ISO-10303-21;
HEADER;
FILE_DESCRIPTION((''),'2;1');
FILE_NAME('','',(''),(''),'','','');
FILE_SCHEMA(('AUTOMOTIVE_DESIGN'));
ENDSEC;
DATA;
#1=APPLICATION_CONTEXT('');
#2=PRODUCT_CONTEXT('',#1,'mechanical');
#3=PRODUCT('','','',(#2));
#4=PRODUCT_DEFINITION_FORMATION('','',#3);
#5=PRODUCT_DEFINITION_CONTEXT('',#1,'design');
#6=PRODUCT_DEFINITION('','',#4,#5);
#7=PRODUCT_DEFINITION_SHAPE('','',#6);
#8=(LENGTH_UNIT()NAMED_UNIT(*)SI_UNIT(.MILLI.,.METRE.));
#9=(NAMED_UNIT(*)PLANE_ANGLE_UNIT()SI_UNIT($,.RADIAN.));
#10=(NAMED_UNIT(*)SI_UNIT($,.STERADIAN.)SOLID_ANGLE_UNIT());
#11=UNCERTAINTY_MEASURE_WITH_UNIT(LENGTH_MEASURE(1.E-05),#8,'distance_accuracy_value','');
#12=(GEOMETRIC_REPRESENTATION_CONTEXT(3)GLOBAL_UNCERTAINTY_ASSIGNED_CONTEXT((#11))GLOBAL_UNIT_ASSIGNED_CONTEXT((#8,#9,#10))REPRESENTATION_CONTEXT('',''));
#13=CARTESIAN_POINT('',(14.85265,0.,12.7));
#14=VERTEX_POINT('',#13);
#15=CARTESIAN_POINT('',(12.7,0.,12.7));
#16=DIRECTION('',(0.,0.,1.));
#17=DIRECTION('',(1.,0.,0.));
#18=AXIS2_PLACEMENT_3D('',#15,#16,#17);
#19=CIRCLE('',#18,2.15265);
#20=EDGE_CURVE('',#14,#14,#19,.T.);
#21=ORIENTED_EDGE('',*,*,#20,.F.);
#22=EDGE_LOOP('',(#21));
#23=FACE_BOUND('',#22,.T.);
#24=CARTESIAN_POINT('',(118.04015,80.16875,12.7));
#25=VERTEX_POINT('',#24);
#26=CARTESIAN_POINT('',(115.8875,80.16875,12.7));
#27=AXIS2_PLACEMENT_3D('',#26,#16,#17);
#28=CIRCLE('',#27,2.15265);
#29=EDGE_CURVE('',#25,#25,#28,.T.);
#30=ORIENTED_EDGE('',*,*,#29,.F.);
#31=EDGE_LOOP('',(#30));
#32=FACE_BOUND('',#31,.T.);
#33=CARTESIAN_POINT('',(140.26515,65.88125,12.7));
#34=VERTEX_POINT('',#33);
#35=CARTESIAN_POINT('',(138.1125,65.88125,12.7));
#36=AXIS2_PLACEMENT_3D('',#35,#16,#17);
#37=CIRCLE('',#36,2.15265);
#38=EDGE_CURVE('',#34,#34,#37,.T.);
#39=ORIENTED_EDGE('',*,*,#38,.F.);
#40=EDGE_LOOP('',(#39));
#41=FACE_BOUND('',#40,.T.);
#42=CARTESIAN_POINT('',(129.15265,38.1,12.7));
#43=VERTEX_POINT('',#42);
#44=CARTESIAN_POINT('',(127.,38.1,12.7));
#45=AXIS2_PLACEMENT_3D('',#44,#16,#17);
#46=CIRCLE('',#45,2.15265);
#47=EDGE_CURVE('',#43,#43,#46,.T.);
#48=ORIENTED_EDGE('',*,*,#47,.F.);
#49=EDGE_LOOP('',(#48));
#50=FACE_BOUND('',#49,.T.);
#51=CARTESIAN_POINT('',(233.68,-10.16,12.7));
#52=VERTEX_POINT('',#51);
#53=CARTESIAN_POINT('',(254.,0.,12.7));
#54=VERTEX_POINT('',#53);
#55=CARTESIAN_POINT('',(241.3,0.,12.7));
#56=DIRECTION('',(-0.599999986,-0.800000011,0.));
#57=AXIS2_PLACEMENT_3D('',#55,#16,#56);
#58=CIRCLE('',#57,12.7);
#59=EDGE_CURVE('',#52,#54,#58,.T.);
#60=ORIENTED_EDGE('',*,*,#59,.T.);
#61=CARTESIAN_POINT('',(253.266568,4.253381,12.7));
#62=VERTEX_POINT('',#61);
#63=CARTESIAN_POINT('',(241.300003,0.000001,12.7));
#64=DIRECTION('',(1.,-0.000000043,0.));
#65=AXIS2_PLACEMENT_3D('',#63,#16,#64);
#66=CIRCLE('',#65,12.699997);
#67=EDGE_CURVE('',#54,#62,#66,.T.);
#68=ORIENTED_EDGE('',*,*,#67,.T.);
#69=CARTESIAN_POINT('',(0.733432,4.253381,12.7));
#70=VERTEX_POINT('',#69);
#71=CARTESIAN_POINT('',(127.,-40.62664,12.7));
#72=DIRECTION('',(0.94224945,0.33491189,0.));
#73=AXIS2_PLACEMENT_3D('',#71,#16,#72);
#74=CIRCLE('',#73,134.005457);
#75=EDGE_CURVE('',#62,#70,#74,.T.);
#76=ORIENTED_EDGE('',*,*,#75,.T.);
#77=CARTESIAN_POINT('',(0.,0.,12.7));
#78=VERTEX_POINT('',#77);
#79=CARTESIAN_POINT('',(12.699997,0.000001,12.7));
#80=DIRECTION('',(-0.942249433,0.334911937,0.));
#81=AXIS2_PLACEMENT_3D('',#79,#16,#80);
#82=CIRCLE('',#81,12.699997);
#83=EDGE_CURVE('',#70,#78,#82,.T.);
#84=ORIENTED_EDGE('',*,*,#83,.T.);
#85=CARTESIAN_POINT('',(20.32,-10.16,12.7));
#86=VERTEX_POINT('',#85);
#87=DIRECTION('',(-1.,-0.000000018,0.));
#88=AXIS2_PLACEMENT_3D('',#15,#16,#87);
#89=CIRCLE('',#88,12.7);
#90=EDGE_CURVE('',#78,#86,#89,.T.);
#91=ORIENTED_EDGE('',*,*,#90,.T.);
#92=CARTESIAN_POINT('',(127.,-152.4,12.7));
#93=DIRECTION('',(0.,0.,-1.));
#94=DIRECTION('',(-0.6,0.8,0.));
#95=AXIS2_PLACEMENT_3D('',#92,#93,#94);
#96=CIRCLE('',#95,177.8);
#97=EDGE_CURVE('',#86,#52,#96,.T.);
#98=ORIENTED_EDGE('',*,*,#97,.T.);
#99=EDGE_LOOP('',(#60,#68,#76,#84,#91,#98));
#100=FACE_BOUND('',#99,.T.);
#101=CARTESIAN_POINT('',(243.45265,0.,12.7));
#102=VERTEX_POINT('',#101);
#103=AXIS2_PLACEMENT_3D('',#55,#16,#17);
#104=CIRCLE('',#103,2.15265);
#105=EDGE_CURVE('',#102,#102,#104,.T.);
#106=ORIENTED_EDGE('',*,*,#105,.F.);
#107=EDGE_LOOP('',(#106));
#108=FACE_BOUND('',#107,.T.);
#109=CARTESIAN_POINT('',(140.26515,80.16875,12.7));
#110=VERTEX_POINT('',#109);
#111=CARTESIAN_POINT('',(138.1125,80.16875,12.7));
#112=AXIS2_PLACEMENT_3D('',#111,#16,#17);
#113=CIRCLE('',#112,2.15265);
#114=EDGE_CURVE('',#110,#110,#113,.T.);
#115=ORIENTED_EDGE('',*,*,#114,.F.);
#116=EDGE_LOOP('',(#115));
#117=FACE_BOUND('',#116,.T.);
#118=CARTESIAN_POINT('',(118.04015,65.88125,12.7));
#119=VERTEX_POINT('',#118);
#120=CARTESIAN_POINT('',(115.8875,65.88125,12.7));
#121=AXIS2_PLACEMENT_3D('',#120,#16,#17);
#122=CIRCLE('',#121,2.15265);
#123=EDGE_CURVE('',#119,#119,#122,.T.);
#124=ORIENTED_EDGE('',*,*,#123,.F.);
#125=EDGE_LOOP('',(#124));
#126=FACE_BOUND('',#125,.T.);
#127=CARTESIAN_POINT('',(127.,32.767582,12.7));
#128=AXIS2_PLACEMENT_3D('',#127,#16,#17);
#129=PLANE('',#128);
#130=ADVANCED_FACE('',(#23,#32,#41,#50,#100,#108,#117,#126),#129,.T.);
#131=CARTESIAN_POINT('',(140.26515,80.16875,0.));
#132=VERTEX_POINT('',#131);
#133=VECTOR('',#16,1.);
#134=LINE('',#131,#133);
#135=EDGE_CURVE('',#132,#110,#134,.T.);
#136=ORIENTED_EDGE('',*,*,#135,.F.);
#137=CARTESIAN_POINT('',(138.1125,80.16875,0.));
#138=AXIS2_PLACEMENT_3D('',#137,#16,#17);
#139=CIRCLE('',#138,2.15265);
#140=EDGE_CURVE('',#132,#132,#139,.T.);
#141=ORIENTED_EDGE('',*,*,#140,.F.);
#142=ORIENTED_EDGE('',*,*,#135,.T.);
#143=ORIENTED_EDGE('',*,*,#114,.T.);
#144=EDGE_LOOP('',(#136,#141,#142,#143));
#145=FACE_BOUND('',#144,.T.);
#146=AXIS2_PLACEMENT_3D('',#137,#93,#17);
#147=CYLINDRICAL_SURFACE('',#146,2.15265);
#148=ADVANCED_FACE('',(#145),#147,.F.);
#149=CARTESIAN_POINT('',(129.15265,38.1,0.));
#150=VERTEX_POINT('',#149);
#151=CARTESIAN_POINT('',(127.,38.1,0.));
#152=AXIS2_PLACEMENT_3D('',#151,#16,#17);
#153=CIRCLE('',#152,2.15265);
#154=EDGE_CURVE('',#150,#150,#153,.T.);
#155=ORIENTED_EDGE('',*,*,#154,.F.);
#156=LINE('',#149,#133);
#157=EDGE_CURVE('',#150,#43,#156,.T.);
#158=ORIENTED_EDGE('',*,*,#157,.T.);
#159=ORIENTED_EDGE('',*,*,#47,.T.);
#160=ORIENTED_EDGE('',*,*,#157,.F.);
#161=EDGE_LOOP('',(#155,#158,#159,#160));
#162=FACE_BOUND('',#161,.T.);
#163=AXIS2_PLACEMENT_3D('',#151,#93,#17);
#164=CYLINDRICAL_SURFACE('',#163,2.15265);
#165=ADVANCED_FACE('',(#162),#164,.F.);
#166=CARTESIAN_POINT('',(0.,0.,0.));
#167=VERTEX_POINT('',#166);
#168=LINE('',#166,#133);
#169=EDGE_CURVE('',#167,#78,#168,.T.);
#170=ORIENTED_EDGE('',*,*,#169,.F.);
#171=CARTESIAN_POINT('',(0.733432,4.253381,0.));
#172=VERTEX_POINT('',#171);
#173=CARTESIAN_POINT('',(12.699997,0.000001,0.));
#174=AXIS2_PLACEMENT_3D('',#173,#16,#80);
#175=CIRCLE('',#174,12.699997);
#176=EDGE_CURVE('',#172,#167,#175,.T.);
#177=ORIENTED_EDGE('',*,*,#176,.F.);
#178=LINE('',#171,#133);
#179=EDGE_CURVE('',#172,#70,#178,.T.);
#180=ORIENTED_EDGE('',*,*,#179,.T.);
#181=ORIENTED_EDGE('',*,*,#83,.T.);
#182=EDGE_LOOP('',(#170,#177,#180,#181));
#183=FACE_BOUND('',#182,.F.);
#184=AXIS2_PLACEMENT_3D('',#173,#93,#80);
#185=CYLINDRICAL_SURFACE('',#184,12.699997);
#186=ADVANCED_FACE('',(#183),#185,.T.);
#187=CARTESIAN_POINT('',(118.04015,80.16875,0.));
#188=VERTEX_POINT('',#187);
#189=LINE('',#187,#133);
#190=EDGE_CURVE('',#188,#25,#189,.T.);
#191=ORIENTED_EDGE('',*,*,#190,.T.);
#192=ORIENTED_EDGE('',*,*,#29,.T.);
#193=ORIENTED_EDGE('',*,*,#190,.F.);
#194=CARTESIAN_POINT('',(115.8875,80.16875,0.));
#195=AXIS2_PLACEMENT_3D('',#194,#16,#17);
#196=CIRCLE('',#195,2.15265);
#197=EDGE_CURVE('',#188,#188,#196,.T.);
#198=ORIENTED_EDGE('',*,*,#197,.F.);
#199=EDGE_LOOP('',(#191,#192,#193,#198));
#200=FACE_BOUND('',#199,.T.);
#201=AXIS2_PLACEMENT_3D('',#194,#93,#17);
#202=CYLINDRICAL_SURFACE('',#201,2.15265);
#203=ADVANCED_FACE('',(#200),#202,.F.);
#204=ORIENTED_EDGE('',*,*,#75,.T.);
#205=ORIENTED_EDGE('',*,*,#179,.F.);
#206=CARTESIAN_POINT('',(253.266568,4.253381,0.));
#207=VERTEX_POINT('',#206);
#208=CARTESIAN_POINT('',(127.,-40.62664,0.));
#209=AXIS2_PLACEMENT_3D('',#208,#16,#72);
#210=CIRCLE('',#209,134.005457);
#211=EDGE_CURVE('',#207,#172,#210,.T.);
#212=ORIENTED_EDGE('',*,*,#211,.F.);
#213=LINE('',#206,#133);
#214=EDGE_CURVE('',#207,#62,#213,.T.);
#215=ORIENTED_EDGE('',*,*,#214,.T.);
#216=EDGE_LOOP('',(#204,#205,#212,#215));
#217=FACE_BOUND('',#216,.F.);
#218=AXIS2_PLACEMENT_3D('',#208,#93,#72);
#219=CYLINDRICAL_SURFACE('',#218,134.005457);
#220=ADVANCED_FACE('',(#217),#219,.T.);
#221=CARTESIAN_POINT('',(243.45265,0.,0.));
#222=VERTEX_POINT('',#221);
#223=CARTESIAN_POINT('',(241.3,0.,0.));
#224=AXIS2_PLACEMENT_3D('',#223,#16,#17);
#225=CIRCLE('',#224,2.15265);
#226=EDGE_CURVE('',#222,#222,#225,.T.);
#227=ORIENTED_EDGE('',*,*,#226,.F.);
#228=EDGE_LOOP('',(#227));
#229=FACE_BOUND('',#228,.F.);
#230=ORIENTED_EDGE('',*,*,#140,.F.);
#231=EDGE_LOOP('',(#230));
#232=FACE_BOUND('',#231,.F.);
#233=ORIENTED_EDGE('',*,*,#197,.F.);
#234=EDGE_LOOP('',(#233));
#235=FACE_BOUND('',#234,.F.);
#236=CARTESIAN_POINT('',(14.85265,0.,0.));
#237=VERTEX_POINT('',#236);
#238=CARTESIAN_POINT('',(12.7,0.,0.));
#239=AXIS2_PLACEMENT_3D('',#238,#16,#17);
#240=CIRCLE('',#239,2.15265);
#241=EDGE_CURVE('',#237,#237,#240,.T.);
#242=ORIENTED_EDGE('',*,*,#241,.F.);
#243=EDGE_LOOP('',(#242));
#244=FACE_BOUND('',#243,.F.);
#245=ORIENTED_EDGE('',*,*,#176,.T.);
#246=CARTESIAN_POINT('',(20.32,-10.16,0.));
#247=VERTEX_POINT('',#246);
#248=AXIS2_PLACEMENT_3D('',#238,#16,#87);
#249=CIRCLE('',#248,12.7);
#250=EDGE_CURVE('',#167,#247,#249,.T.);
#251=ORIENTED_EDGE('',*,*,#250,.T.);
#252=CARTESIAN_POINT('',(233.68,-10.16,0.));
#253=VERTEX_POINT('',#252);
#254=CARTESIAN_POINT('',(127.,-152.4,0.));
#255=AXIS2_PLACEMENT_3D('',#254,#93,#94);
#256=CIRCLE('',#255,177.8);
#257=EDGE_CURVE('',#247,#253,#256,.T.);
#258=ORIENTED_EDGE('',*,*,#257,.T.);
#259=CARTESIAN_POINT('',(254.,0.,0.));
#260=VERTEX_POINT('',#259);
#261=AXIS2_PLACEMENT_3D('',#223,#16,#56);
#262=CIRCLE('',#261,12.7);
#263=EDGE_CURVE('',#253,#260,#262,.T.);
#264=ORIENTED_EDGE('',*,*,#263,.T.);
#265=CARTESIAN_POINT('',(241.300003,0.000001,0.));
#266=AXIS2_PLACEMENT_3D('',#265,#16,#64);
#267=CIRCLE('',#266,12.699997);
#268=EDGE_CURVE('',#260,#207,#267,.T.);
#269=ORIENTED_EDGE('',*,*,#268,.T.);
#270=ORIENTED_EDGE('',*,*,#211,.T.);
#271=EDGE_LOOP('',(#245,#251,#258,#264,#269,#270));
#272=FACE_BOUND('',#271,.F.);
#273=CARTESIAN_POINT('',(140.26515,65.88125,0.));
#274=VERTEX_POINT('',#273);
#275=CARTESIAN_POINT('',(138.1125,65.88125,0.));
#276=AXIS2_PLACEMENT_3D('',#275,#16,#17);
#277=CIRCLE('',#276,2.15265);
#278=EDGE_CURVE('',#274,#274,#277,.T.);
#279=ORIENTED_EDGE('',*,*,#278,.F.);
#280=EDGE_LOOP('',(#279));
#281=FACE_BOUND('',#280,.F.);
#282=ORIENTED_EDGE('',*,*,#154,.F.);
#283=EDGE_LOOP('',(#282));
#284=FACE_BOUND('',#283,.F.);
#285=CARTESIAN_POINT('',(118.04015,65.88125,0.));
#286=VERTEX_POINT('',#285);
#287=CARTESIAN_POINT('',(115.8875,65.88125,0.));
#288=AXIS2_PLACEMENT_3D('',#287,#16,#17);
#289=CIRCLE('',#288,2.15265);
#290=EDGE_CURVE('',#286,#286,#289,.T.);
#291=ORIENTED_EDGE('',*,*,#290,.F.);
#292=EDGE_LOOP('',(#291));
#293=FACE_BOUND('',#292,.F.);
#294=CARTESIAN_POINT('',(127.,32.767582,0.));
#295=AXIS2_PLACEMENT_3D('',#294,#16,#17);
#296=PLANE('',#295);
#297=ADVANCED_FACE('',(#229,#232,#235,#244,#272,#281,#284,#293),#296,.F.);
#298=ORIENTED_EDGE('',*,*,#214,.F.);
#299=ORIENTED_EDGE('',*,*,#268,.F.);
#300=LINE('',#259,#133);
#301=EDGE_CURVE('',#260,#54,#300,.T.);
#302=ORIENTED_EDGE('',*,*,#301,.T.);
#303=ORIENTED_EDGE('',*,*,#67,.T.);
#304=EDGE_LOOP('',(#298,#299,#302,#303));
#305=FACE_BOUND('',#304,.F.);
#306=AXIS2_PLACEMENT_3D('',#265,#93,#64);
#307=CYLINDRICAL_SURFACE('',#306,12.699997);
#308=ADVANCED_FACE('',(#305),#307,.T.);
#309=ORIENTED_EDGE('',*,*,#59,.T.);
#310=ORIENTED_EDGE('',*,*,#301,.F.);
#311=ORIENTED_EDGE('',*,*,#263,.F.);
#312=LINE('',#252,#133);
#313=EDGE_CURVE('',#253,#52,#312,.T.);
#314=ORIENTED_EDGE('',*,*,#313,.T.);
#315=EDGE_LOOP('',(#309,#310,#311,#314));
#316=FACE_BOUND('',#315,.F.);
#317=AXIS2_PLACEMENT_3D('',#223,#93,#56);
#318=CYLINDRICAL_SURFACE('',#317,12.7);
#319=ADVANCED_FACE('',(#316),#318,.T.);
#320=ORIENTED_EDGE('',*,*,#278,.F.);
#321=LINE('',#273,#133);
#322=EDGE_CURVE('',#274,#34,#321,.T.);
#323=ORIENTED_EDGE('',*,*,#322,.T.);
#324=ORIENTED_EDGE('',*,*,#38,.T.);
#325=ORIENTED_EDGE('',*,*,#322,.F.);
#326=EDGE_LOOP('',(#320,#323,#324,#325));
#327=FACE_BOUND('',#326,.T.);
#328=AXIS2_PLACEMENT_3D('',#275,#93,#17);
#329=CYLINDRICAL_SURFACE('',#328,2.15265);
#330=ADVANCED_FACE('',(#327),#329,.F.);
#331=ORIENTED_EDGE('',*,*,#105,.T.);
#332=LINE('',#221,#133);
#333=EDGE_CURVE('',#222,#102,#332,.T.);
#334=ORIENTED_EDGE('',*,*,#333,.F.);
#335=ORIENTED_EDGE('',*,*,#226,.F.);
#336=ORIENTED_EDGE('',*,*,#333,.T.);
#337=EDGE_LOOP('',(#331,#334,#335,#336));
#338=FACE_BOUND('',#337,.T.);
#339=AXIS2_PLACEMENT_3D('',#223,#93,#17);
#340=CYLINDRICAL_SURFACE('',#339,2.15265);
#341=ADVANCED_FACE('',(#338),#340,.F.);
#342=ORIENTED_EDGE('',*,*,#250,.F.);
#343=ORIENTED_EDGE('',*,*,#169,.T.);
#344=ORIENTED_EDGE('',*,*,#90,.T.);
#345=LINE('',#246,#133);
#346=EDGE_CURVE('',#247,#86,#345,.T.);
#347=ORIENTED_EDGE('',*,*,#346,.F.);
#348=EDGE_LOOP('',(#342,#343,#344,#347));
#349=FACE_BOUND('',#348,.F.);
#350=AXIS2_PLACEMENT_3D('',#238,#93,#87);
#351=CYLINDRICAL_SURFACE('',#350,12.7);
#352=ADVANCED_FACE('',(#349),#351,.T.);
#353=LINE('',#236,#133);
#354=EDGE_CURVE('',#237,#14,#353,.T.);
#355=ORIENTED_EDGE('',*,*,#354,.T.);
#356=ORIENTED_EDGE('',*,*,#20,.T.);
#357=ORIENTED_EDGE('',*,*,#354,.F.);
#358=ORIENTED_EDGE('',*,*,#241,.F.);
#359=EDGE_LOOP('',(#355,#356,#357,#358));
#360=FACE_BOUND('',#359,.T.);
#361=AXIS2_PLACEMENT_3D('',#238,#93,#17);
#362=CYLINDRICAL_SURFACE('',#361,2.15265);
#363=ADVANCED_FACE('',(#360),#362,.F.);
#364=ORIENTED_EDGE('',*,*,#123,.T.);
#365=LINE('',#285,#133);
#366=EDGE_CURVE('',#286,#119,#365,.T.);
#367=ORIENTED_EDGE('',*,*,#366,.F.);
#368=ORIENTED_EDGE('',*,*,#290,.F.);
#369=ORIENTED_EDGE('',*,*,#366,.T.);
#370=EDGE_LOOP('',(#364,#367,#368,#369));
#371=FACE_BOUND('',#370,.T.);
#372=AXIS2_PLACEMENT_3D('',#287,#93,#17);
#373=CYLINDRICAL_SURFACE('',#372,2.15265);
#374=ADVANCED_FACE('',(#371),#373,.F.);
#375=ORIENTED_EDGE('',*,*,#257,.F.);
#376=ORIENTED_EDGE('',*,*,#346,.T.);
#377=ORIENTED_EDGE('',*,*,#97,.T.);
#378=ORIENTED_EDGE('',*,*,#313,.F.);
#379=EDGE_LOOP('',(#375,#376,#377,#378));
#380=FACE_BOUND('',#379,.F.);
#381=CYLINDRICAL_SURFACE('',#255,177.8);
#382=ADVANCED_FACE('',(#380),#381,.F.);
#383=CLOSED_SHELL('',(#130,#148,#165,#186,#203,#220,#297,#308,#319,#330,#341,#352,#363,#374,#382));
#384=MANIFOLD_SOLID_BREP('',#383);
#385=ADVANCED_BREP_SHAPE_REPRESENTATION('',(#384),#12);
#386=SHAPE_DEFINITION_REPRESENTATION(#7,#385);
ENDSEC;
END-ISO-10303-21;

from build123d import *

# Parameters (mm, degrees)
F0_R     = 2.15265
F1_DEPTH = 12.7


with BuildPart() as f1:
    # F0 (on Top) → F1 (new body)
    with BuildSketch(Plane.XY):
        with BuildLine():
            ThreePointArc((20.32, -10.16), (127, 25.4), (233.68, -10.16))
            ThreePointArc((233.68, -10.16), (246.979613, -11.359225), (254, 0))
            ThreePointArc((254, 0), (253.815299, 2.158076), (253.266568, 4.253381))
            ThreePointArc((253.266568, 4.253381), (127, 93.378817), (0.733432, 4.253381))
            ThreePointArc((0.733432, 4.253381), (0.184701, 2.158076), (0, 0))
            ThreePointArc((0, 0), (7.020387, -11.359225), (20.32, -10.16))
        make_face()
        with Locations((12.7, 0)):
            Circle(F0_R, mode=Mode.SUBTRACT)
        with Locations((127, 38.1)):
            Circle(F0_R, mode=Mode.SUBTRACT)
        with Locations((241.3, 0)):
            Circle(F0_R, mode=Mode.SUBTRACT)
        with Locations((115.8875, 65.88125)):
            Circle(F0_R, mode=Mode.SUBTRACT)
        with Locations((115.8875, 80.16875)):
            Circle(F0_R, mode=Mode.SUBTRACT)
        with Locations((138.1125, 65.88125)):
            Circle(F0_R, mode=Mode.SUBTRACT)
        with Locations((138.1125, 80.16875)):
            Circle(F0_R, mode=Mode.SUBTRACT)
    extrude(amount=F1_DEPTH)


solid = f1.part
